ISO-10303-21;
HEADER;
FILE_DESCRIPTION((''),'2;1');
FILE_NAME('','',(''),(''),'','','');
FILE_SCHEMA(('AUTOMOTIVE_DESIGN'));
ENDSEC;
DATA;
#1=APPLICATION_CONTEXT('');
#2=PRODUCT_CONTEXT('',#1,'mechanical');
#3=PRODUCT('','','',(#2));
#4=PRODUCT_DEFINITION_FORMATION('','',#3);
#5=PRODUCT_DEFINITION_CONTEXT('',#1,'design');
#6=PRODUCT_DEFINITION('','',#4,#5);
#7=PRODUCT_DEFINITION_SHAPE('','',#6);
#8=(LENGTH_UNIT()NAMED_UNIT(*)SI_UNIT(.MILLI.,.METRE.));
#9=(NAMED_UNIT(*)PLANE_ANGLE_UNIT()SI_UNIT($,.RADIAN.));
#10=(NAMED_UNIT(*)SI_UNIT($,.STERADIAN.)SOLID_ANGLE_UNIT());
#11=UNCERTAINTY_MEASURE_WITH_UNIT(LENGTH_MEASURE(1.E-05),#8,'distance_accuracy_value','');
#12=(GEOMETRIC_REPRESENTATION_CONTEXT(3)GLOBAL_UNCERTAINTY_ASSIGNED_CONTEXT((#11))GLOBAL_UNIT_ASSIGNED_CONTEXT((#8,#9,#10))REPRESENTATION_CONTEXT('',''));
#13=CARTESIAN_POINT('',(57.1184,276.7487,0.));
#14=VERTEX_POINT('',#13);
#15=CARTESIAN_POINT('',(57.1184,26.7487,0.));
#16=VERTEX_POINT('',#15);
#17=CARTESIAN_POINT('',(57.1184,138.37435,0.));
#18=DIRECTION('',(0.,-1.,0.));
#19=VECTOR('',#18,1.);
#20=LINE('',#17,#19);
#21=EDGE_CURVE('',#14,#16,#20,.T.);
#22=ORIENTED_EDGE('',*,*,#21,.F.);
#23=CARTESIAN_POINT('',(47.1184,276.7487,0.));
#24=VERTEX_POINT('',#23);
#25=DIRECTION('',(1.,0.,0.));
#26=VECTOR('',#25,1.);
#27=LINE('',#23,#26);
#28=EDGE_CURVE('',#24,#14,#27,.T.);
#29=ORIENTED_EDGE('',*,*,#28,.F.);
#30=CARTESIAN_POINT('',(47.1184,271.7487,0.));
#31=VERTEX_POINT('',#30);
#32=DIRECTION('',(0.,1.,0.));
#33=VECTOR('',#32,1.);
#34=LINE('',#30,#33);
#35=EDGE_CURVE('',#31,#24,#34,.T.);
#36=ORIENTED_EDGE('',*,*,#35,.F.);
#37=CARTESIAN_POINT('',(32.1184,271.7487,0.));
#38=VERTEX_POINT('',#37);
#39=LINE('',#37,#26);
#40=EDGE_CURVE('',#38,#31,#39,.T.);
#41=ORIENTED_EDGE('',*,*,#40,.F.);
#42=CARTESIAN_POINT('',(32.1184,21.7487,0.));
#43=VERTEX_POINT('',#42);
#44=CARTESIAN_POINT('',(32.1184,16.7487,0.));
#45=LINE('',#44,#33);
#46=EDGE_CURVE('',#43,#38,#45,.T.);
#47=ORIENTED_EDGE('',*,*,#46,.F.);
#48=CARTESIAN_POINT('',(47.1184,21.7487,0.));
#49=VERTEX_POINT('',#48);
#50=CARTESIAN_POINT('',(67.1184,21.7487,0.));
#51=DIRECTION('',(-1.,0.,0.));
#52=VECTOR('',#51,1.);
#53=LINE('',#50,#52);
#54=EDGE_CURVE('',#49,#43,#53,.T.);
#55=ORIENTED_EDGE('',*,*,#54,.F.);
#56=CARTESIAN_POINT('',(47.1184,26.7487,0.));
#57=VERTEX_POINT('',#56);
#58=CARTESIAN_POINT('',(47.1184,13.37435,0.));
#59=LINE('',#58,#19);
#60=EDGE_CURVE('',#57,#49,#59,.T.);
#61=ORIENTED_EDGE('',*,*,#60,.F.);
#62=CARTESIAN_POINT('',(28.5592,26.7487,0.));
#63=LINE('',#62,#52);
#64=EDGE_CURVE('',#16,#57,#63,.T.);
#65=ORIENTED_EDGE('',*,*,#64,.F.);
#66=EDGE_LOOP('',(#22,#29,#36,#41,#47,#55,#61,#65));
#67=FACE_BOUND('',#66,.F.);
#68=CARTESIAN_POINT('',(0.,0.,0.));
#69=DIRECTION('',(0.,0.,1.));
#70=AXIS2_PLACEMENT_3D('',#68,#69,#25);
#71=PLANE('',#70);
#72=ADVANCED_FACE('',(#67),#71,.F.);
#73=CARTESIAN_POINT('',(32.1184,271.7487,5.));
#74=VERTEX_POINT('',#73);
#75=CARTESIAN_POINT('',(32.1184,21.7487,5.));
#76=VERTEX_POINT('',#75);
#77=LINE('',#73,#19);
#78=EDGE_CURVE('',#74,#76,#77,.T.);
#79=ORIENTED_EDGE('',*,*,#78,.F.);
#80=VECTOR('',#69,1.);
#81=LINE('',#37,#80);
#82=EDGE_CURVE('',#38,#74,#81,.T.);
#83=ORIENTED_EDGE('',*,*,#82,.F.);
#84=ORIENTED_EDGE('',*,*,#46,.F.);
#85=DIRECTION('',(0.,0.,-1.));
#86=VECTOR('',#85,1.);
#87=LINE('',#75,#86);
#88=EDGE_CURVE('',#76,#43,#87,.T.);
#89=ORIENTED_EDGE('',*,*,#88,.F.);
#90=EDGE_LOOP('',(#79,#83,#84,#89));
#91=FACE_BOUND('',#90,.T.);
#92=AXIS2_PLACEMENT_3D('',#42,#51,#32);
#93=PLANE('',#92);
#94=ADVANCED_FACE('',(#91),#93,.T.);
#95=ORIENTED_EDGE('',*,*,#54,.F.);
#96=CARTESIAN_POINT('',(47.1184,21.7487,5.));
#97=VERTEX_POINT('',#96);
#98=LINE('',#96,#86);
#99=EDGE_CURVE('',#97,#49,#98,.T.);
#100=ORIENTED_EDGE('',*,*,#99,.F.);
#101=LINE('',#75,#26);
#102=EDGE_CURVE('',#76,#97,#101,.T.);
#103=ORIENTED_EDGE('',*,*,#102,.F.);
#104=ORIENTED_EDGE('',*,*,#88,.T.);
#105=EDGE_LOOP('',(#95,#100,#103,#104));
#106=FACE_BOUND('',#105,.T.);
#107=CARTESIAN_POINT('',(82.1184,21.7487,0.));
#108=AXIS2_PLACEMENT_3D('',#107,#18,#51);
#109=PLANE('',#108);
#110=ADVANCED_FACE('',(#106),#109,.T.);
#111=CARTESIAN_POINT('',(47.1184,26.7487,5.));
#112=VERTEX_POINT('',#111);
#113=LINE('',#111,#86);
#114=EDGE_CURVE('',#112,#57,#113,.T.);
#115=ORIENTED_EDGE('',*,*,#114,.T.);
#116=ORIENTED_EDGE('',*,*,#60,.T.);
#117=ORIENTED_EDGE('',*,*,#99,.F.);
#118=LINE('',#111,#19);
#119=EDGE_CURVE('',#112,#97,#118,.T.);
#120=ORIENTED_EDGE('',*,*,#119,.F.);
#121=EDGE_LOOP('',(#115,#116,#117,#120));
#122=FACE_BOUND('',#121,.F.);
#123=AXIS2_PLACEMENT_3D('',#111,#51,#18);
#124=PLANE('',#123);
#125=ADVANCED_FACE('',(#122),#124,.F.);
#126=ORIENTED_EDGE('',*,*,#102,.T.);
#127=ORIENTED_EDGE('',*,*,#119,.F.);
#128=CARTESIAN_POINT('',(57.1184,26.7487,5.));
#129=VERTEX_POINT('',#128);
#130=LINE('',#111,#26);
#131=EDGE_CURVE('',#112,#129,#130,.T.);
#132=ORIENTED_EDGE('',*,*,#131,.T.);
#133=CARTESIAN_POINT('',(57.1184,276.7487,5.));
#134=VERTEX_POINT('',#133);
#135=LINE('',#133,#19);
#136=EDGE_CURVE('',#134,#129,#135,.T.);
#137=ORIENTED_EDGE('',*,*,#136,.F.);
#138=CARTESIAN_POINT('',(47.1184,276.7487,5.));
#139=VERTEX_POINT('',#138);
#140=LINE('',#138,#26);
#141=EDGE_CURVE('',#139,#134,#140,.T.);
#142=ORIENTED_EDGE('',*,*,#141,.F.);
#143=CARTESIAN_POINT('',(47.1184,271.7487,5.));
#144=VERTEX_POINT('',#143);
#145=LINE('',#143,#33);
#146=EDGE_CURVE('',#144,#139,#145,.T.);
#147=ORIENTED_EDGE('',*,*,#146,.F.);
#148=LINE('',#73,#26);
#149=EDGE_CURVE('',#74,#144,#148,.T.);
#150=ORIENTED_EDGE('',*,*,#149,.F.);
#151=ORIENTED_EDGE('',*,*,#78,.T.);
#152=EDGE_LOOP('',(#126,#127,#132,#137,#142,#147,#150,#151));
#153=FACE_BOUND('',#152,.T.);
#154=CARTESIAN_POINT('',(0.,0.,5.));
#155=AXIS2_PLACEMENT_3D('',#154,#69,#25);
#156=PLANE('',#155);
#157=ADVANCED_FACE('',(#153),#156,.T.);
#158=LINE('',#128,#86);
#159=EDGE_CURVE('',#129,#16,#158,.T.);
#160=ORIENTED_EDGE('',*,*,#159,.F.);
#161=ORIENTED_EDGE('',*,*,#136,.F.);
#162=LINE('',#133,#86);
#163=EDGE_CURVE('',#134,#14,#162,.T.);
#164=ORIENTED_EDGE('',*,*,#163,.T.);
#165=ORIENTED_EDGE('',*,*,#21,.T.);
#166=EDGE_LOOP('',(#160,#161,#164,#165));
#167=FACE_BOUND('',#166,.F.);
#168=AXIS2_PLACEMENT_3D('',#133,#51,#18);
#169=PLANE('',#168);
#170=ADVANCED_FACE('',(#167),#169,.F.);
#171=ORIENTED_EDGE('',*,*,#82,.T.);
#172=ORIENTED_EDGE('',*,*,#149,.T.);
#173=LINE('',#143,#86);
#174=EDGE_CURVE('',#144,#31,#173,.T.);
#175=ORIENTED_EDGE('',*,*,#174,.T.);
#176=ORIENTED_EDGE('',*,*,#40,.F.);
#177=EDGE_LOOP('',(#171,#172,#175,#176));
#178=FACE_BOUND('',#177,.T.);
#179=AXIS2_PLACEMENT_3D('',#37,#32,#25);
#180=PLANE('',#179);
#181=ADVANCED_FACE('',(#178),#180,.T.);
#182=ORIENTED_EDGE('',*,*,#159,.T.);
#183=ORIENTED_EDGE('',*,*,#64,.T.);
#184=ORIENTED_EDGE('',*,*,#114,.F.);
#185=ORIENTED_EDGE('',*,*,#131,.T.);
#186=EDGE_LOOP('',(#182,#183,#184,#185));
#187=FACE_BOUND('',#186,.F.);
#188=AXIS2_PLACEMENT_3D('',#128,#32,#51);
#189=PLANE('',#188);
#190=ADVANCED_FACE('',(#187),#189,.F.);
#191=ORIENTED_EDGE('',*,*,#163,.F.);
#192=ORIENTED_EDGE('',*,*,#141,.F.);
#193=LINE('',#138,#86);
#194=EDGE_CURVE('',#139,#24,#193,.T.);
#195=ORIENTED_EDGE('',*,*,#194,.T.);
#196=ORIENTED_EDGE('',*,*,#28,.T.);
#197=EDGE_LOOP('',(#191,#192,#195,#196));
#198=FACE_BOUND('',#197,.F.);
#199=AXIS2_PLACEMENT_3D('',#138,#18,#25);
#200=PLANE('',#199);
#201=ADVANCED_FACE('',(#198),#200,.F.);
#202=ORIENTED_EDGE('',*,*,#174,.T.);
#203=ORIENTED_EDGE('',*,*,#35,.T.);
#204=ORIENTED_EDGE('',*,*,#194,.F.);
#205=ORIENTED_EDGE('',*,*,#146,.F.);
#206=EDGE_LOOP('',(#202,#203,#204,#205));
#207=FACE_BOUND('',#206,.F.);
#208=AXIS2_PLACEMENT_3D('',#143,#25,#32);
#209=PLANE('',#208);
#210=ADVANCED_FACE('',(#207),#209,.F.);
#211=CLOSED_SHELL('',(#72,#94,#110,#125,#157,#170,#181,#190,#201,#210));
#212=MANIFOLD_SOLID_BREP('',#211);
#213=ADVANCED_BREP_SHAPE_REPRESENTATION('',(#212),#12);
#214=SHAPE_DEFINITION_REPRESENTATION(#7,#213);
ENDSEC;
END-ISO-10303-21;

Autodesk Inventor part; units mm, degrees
ref_plane "YZ Plane" through (0, 0, 0) normal (1, 0, 0) x (0, 1, 0)
ref_plane "XZ Plane" through (0, 0, 0) normal (0, 1, 0) x (-1, 0, 0)
ref_plane "XY Plane" through (0, 0, 0) normal (0, 0, 1) x (1, 0, 0)
sketch "Sketch1" plane through (0, 0, 0) normal (0, 0, 1) x (1, 0, 0)
  line L0 (32.1184, 271.7487) -> (82.1184, 271.7487)
  line L1 (82.1184, 271.7487) -> (82.1184, 21.7487)
  line L2 (82.1184, 21.7487) -> (32.1184, 21.7487)
  line L3 (32.1184, 21.7487) -> (32.1184, 271.7487)
  point P0 (0, 0)
  dimension "d0" = 50
  dimension "d1" = 250
extrude "Extrusion1" add sketch "Sketch1" along normal blind 5
sketch "Sketch2" plane through (0, 0, 5) normal (0, 0, 1) x (1, 0, 0)
  line L0 (82.1184, 271.7487) -> (32.1184, 271.7487) projected
  line L1 (57.1184, 271.7487) -> (47.1184, 271.7487)
  line L2 (47.1184, 271.7487) -> (47.1184, 276.7487)
  line L3 (47.1184, 276.7487) -> (67.1184, 276.7487)
  line L4 (67.1184, 276.7487) -> (67.1184, 271.7487)
  line L5 (32.1184, 21.7487) -> (82.1184, 21.7487) projected
  line L6 (32.1184, 21.7487) -> (32.1184, 16.7487)
  line L7 (32.1184, 16.7487) -> (47.1184, 16.7487)
  line L8 (47.1184, 16.7487) -> (47.1184, 21.7487)
  line L9 (82.1184, 21.7487) -> (82.1184, 16.7487)
  line L10 (82.1184, 16.7487) -> (67.1184, 16.7487)
  line L11 (67.1184, 16.7487) -> (67.1184, 21.7487)
  point P0 (0, 0)
  dimension "d4" = 10
  dimension "d5" = 5
  dimension "d6" = 20
  dimension "d7" = 5
  dimension "d8" = 15
  dimension "d9" = 5
  dimension "d10" = 15
extrude "Extrusion2" add sketch "Sketch2" against normal blind 5 contours L0 L2 L3 L4
sketch "Sketch3" plane through (0, 0, 5) normal (0, 0, 1) x (1, 0, 0)
  line L0 (32.1184, 21.7487) -> (82.1184, 21.7487) projected
  line L1 (32.1184, 21.7487) -> (32.1184, 16.7487)
  line L2 (32.1184, 16.7487) -> (47.1184, 16.7487)
  line L3 (47.1184, 16.7487) -> (47.1184, 21.7487)
  line L4 (82.1184, 21.7487) -> (82.1184, 16.7487)
  line L5 (82.1184, 16.7487) -> (67.1184, 16.7487)
  line L6 (67.1184, 16.7487) -> (67.1184, 21.7487)
  point P0 (0, 0)
  dimension "d13" = 5
  dimension "d14" = 15
  dimension "d15" = 5
  dimension "d16" = 15
extrude "Extrusion3" add sketch "Sketch3" against normal blind 5
sketch "Sketch4" plane through (0, 0, 5) normal (0, 0, 1) x (1, 0, 0)
  line L0 (47.1184, 21.7487) -> (67.1184, 21.7487) projected
  line L1 (57.1184, 21.7487) -> (57.1184, 26.7487)
  line L2 (57.1184, 26.7487) -> (47.1184, 26.7487)
  line L3 (47.1184, 26.7487) -> (47.1184, 21.7487)
  line L4 (47.1184, 21.7487) -> (67.1184, 21.7487)
  line L5 (67.1184, 21.7487) -> (67.1184, 26.7487)
  line L6 (67.1184, 26.7487) -> (57.1184, 26.7487)
  line L7 (47.1184, 21.7487) -> (32.1184, 21.7487)
  line L8 (32.1184, 21.7487) -> (82.1184, 21.7487)
  line L9 (82.1184, 16.7487) -> (82.1184, 271.7487) projected
  point P0 (0, 0)
  dimension "d19" = 5
  dimension "d20" = 10
  dimension "d21" = 15
sketch "Sketch5" plane through (0, 0, 5) normal (0, 0, 1) x (1, 0, 0)
  point P0 (0, 0)
sketch "Sketch6" plane through (0, 0, 5) normal (0, 0, 1) x (1, 0, 0)
  line L0 (47.1184, 21.7487) -> (67.1184, 21.7487) projected
  line L1 (47.1184, 21.7487) -> (47.1184, 16.7487) projected
  line L2 (47.1184, 21.7487) -> (47.1184, 16.7487)
  line L3 (32.1184, 271.7487) -> (32.1184, 16.7487) projected
  line L4 (47.1184, 16.7487) -> (32.1184, 16.7487)
  line L5 (32.1184, 16.7487) -> (32.1184, 21.7487)
  line L6 (47.1184, 21.7487) -> (32.1184, 21.7487)
  line L7 (32.1184, 21.7487) -> (32.1184, 16.7487)
  line L8 (32.1184, 16.7487) -> (47.1184, 16.7487)
  point P0 (0, 0)
extrude "Extrusion4" cut sketch "Sketch6" against normal blind 15
extrude "Extrusion5" cut sketch "Sketch4" against normal blind 15
sketch "Sketch7" plane through (0, 0, 5) normal (0, 0, 1) x (1, 0, 0)
  line L0 (67.1184, 26.7487) -> (67.1184, 16.7487) projected
  line L1 (67.1184, 21.7487) -> (67.1184, 16.7487)
  line L2 (82.1184, 16.7487) -> (82.1184, 271.7487) projected
  line L3 (67.1184, 16.7487) -> (82.1184, 16.7487)
  line L4 (82.1184, 16.7487) -> (82.1184, 21.7487)
  line L5 (67.1184, 21.7487) -> (82.1184, 21.7487)
  point P0 (0, 0)
extrude "Extrusion6" cut sketch "Sketch7" against normal blind 15
sketch "Sketch8" plane through (0, 0, 5) normal (0, 0, 1) x (1, 0, 0)
  line L0 (47.1184, 276.7487) -> (67.1184, 276.7487) projected
  line L1 (57.1184, 276.7487) -> (57.1184, 26.7487)
  line L2 (67.1184, 26.7487) -> (47.1184, 26.7487) projected
  point P0 (0, 0)
sketch "Sketch9" plane through (0, 0, 5) normal (0, 0, 1) x (1, 0, 0)
  line L0 (47.1184, 276.7487) -> (67.1184, 276.7487) projected
  line L1 (57.1184, 276.7487) -> (57.1184, 26.7487)
  line L2 (67.1184, 26.7487) -> (47.1184, 26.7487) projected
  line L3 (67.1184, 21.7487) -> (67.1184, 26.7487) projected
  line L4 (67.1184, 26.7487) -> (67.1184, 21.7487)
  line L5 (82.1184, 271.7487) -> (82.1184, 21.7487) projected
  line L6 (67.1184, 21.7487) -> (82.1184, 21.7487)
  line L7 (82.1184, 21.7487) -> (82.1184, 271.7487)
  line L8 (82.1184, 271.7487) -> (67.1184, 271.7487)
  line L9 (67.1184, 271.7487) -> (67.1184, 276.7487)
  line L10 (67.1184, 276.7487) -> (57.1184, 276.7487)
  line L11 (67.1184, 276.7487) -> (67.1184, 271.7487)
  point P0 (0, 0)
extrude "Extrusion7" cut sketch "Sketch9" against normal blind 15
equation "\"d22\" = d21"
equation "\"d24\" = d21"
equation "\"d26\" = d21"
equation "\"d28\" = d21"
properties material "Steel, Carbon"
